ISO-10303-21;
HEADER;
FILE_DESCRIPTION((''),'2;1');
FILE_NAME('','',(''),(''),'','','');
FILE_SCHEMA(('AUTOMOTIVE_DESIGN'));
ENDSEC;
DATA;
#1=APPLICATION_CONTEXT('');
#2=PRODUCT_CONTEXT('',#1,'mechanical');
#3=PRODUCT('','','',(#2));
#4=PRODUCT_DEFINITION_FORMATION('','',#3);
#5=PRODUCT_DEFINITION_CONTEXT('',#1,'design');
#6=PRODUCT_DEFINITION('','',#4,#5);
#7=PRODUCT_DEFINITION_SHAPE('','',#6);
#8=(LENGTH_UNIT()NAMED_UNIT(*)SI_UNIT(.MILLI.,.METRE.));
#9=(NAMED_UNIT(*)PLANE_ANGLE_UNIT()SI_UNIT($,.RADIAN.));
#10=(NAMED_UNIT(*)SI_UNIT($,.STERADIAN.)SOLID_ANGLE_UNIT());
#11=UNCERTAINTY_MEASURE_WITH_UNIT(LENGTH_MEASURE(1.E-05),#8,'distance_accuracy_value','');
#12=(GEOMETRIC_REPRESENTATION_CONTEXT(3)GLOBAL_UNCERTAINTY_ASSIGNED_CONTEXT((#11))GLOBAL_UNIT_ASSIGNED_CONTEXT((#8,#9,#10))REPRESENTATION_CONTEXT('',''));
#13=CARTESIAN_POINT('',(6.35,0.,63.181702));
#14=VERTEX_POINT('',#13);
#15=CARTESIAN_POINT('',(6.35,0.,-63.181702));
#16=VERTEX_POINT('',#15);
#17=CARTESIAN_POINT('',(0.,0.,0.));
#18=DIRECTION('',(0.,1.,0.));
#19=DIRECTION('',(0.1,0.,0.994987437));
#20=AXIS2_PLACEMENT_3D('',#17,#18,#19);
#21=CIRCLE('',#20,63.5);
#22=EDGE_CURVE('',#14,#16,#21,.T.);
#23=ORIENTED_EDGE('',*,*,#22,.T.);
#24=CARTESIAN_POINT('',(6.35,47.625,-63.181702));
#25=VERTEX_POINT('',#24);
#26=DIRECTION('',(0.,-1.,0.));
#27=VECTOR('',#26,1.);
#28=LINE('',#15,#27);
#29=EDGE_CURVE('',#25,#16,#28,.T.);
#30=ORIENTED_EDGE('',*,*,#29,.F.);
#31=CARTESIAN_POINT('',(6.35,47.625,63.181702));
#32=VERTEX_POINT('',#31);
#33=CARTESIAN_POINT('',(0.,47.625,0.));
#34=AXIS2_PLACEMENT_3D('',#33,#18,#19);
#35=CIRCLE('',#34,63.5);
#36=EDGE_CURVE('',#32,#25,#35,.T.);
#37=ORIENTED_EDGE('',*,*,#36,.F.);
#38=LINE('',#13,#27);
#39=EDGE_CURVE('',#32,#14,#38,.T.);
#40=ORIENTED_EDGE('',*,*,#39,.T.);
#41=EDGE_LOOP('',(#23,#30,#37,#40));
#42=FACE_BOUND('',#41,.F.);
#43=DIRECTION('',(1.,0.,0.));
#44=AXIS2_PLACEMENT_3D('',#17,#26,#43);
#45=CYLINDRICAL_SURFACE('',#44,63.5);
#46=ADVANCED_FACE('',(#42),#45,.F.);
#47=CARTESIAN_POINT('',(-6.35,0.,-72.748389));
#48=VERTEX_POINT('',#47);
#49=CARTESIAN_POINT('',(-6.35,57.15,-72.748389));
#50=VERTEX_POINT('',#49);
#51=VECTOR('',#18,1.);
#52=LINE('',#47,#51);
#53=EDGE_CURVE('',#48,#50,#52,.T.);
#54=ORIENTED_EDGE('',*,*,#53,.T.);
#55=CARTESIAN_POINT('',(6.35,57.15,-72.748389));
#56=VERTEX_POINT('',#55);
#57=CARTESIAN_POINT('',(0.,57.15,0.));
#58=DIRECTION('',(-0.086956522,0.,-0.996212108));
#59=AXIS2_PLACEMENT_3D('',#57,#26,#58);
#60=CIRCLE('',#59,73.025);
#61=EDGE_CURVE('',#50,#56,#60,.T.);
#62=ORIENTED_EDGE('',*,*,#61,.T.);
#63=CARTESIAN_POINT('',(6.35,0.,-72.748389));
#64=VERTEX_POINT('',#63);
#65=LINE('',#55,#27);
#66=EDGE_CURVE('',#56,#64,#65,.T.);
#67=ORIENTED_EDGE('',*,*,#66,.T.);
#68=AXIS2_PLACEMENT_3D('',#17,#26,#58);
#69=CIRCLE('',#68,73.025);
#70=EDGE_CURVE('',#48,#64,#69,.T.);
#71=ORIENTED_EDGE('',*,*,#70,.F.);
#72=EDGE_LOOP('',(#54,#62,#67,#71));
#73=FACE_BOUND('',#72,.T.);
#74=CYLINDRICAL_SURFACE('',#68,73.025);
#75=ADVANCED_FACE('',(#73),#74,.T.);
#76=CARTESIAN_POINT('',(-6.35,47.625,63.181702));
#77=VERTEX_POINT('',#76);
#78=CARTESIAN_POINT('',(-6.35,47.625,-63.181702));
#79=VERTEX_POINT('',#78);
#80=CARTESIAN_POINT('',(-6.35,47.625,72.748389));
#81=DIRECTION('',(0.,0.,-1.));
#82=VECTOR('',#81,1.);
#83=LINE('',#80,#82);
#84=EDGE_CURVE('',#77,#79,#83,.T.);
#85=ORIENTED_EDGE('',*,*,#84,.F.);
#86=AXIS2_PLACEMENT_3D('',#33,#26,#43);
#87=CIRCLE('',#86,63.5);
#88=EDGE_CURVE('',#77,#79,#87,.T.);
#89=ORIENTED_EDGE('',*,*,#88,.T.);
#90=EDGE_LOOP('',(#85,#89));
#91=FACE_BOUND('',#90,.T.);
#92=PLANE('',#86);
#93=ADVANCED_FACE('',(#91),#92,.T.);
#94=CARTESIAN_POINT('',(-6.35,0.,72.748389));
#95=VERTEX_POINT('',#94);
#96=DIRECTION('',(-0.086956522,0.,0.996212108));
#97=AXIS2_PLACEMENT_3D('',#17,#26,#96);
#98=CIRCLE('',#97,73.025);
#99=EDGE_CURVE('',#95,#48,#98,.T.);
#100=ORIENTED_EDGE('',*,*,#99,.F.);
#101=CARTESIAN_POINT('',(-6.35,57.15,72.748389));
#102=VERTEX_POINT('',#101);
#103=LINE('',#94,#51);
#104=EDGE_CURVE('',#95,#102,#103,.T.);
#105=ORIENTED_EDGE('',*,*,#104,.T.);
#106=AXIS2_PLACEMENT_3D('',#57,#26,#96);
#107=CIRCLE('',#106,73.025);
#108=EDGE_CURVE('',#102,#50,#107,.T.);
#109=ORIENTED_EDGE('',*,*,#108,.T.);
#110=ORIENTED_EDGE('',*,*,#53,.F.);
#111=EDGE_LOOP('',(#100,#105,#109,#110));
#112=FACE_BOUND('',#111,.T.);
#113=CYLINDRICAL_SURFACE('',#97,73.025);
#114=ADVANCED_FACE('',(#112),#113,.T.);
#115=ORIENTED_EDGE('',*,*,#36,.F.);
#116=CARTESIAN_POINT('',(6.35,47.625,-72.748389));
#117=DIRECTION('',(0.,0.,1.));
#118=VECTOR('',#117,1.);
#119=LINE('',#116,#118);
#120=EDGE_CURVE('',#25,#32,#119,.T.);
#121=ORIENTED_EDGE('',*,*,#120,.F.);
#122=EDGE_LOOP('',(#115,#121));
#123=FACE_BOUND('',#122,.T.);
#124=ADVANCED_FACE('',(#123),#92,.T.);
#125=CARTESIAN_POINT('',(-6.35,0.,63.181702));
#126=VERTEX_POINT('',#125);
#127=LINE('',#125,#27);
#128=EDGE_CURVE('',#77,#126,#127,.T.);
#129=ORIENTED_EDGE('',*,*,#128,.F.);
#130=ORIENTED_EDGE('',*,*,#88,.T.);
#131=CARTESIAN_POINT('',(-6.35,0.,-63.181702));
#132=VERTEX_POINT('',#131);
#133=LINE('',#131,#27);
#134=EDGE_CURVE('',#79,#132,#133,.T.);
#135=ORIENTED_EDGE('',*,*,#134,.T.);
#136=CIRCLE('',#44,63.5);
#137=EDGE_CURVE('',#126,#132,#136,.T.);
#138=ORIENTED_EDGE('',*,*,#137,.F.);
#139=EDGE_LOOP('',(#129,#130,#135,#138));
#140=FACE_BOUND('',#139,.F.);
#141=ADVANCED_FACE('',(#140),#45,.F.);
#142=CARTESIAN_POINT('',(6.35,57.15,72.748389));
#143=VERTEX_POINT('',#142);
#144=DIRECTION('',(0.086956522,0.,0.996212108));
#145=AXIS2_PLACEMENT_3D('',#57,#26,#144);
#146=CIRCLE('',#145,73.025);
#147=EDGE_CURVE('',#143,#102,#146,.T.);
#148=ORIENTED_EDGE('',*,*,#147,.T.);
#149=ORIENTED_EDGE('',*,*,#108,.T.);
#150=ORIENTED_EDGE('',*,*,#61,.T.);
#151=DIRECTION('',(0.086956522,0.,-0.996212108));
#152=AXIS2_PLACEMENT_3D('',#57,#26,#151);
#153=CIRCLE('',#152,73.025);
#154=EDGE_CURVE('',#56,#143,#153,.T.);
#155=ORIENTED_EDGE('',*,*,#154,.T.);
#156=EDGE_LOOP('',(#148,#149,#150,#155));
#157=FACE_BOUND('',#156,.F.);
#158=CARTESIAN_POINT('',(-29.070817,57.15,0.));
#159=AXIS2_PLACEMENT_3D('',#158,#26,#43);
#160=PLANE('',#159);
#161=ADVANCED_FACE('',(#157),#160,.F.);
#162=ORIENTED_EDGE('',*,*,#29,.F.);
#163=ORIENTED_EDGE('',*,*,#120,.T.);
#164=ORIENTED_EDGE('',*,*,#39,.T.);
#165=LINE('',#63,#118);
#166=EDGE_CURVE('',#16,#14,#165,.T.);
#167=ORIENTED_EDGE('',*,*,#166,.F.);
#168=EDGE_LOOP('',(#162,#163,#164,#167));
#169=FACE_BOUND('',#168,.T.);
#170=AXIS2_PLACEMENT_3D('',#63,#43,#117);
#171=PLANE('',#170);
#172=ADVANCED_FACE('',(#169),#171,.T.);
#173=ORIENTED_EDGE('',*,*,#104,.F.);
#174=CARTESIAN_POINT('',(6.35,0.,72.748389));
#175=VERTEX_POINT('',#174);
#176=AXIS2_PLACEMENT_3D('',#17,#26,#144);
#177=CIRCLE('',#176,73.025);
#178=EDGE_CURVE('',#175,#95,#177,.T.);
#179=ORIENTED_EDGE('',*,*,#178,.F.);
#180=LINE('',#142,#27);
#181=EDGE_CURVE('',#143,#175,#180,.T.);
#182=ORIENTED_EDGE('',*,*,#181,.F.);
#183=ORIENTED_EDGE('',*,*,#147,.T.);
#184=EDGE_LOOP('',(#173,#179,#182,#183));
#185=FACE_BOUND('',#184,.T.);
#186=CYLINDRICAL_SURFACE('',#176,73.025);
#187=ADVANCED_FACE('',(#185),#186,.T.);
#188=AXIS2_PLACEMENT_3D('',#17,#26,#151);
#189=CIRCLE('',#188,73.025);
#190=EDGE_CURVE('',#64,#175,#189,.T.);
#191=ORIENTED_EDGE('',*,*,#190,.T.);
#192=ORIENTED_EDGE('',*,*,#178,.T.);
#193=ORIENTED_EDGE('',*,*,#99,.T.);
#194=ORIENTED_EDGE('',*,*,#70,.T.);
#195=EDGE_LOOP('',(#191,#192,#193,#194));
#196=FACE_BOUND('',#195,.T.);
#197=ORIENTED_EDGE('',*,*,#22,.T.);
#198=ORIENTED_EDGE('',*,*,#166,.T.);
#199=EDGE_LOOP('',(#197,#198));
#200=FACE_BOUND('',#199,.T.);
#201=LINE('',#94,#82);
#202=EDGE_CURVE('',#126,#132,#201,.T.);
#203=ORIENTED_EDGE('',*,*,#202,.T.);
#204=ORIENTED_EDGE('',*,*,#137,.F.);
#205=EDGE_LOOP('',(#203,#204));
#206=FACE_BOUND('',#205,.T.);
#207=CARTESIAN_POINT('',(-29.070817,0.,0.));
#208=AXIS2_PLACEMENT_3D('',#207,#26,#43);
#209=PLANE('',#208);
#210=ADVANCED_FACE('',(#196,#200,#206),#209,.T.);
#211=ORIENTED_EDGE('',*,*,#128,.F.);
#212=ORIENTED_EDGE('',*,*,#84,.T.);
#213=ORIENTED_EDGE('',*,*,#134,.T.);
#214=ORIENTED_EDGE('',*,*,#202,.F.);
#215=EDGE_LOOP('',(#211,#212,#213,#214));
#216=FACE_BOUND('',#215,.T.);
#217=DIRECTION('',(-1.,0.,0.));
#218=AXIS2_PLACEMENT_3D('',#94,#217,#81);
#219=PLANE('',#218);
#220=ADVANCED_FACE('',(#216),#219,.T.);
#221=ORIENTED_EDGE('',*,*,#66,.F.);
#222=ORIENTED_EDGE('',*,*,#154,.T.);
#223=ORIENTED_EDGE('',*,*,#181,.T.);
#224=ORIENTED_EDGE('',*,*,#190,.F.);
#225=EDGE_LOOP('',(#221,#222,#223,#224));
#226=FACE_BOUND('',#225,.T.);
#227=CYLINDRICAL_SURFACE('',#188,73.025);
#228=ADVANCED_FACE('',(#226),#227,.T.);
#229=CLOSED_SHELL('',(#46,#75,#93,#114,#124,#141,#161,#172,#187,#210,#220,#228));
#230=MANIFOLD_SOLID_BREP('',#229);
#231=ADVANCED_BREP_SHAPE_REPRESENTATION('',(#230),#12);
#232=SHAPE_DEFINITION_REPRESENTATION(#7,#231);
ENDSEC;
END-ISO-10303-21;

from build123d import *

# Parameters (mm, degrees)
F2_DEPTH = 57.15
F1_R     = 63.5
F3_DEPTH = 47.625
F4_DEPTH = 47.625


with BuildPart() as f2:
    # F0 (on Front) → F2 (new body)
    with BuildSketch(Plane.XZ):
        with BuildLine():
            Line((-6.35, 0), (-6.35, 72.7483891574))
            ThreePointArc((-6.35, 72.7483891574), (-73.025, 0), (-6.35, -72.7483891574))
            Line((-6.35, -72.7483891574), (-6.35, 0))
        make_face()
        with BuildLine():
            ThreePointArc((6.35, -72.7483891574), (53.8347442411, -49.3403581006), (73.025, 0))
            ThreePointArc((73.025, 0), (53.8347442411, 49.3403581006), (6.35, 72.7483891574))
            Line((6.35, 72.7483891574), (6.35, 0))
            Line((6.35, 0), (6.35, -72.7483891574))
        make_face()
        with BuildLine():
            Line((6.35, 0), (6.35, 72.7483891574))
            ThreePointArc((6.35, 72.7483891574), (0, 73.025), (-6.35, 72.7483891574))
            Line((-6.35, 72.7483891574), (-6.35, 0))
            Line((-6.35, 0), (0, 0))
            Line((0, 0), (6.35, 0))
        make_face()
        with BuildLine():
            ThreePointArc((-6.35, -72.7483891574), (0, -73.025), (6.35, -72.7483891574))
            Line((6.35, -72.7483891574), (6.35, 0))
            Line((6.35, 0), (0, 0))
            Line((0, 0), (-6.35, 0))
            Line((-6.35, 0), (-6.35, -72.7483891574))
        make_face()
    extrude(amount=-F2_DEPTH)

    # F1 (on Front) → F3 (cut)
    with BuildSketch(Plane.XZ):
        Circle(F1_R)
    extrude(amount=-F3_DEPTH, mode=Mode.SUBTRACT)

    # F0 (on Front) → F4 (join)
    with BuildSketch(Plane.XZ):
        with BuildLine():
            ThreePointArc((-6.35, -72.7483891574), (0, -73.025), (6.35, -72.7483891574))
            Line((6.35, -72.7483891574), (6.35, 0))
            Line((6.35, 0), (0, 0))
            Line((0, 0), (-6.35, 0))
            Line((-6.35, 0), (-6.35, -72.7483891574))
        make_face()
        with BuildLine():
            Line((6.35, 0), (6.35, 72.7483891574))
            ThreePointArc((6.35, 72.7483891574), (0, 73.025), (-6.35, 72.7483891574))
            Line((-6.35, 72.7483891574), (-6.35, 0))
            Line((-6.35, 0), (0, 0))
            Line((0, 0), (6.35, 0))
        make_face()
    extrude(amount=-F4_DEPTH)


solid = f2.part
